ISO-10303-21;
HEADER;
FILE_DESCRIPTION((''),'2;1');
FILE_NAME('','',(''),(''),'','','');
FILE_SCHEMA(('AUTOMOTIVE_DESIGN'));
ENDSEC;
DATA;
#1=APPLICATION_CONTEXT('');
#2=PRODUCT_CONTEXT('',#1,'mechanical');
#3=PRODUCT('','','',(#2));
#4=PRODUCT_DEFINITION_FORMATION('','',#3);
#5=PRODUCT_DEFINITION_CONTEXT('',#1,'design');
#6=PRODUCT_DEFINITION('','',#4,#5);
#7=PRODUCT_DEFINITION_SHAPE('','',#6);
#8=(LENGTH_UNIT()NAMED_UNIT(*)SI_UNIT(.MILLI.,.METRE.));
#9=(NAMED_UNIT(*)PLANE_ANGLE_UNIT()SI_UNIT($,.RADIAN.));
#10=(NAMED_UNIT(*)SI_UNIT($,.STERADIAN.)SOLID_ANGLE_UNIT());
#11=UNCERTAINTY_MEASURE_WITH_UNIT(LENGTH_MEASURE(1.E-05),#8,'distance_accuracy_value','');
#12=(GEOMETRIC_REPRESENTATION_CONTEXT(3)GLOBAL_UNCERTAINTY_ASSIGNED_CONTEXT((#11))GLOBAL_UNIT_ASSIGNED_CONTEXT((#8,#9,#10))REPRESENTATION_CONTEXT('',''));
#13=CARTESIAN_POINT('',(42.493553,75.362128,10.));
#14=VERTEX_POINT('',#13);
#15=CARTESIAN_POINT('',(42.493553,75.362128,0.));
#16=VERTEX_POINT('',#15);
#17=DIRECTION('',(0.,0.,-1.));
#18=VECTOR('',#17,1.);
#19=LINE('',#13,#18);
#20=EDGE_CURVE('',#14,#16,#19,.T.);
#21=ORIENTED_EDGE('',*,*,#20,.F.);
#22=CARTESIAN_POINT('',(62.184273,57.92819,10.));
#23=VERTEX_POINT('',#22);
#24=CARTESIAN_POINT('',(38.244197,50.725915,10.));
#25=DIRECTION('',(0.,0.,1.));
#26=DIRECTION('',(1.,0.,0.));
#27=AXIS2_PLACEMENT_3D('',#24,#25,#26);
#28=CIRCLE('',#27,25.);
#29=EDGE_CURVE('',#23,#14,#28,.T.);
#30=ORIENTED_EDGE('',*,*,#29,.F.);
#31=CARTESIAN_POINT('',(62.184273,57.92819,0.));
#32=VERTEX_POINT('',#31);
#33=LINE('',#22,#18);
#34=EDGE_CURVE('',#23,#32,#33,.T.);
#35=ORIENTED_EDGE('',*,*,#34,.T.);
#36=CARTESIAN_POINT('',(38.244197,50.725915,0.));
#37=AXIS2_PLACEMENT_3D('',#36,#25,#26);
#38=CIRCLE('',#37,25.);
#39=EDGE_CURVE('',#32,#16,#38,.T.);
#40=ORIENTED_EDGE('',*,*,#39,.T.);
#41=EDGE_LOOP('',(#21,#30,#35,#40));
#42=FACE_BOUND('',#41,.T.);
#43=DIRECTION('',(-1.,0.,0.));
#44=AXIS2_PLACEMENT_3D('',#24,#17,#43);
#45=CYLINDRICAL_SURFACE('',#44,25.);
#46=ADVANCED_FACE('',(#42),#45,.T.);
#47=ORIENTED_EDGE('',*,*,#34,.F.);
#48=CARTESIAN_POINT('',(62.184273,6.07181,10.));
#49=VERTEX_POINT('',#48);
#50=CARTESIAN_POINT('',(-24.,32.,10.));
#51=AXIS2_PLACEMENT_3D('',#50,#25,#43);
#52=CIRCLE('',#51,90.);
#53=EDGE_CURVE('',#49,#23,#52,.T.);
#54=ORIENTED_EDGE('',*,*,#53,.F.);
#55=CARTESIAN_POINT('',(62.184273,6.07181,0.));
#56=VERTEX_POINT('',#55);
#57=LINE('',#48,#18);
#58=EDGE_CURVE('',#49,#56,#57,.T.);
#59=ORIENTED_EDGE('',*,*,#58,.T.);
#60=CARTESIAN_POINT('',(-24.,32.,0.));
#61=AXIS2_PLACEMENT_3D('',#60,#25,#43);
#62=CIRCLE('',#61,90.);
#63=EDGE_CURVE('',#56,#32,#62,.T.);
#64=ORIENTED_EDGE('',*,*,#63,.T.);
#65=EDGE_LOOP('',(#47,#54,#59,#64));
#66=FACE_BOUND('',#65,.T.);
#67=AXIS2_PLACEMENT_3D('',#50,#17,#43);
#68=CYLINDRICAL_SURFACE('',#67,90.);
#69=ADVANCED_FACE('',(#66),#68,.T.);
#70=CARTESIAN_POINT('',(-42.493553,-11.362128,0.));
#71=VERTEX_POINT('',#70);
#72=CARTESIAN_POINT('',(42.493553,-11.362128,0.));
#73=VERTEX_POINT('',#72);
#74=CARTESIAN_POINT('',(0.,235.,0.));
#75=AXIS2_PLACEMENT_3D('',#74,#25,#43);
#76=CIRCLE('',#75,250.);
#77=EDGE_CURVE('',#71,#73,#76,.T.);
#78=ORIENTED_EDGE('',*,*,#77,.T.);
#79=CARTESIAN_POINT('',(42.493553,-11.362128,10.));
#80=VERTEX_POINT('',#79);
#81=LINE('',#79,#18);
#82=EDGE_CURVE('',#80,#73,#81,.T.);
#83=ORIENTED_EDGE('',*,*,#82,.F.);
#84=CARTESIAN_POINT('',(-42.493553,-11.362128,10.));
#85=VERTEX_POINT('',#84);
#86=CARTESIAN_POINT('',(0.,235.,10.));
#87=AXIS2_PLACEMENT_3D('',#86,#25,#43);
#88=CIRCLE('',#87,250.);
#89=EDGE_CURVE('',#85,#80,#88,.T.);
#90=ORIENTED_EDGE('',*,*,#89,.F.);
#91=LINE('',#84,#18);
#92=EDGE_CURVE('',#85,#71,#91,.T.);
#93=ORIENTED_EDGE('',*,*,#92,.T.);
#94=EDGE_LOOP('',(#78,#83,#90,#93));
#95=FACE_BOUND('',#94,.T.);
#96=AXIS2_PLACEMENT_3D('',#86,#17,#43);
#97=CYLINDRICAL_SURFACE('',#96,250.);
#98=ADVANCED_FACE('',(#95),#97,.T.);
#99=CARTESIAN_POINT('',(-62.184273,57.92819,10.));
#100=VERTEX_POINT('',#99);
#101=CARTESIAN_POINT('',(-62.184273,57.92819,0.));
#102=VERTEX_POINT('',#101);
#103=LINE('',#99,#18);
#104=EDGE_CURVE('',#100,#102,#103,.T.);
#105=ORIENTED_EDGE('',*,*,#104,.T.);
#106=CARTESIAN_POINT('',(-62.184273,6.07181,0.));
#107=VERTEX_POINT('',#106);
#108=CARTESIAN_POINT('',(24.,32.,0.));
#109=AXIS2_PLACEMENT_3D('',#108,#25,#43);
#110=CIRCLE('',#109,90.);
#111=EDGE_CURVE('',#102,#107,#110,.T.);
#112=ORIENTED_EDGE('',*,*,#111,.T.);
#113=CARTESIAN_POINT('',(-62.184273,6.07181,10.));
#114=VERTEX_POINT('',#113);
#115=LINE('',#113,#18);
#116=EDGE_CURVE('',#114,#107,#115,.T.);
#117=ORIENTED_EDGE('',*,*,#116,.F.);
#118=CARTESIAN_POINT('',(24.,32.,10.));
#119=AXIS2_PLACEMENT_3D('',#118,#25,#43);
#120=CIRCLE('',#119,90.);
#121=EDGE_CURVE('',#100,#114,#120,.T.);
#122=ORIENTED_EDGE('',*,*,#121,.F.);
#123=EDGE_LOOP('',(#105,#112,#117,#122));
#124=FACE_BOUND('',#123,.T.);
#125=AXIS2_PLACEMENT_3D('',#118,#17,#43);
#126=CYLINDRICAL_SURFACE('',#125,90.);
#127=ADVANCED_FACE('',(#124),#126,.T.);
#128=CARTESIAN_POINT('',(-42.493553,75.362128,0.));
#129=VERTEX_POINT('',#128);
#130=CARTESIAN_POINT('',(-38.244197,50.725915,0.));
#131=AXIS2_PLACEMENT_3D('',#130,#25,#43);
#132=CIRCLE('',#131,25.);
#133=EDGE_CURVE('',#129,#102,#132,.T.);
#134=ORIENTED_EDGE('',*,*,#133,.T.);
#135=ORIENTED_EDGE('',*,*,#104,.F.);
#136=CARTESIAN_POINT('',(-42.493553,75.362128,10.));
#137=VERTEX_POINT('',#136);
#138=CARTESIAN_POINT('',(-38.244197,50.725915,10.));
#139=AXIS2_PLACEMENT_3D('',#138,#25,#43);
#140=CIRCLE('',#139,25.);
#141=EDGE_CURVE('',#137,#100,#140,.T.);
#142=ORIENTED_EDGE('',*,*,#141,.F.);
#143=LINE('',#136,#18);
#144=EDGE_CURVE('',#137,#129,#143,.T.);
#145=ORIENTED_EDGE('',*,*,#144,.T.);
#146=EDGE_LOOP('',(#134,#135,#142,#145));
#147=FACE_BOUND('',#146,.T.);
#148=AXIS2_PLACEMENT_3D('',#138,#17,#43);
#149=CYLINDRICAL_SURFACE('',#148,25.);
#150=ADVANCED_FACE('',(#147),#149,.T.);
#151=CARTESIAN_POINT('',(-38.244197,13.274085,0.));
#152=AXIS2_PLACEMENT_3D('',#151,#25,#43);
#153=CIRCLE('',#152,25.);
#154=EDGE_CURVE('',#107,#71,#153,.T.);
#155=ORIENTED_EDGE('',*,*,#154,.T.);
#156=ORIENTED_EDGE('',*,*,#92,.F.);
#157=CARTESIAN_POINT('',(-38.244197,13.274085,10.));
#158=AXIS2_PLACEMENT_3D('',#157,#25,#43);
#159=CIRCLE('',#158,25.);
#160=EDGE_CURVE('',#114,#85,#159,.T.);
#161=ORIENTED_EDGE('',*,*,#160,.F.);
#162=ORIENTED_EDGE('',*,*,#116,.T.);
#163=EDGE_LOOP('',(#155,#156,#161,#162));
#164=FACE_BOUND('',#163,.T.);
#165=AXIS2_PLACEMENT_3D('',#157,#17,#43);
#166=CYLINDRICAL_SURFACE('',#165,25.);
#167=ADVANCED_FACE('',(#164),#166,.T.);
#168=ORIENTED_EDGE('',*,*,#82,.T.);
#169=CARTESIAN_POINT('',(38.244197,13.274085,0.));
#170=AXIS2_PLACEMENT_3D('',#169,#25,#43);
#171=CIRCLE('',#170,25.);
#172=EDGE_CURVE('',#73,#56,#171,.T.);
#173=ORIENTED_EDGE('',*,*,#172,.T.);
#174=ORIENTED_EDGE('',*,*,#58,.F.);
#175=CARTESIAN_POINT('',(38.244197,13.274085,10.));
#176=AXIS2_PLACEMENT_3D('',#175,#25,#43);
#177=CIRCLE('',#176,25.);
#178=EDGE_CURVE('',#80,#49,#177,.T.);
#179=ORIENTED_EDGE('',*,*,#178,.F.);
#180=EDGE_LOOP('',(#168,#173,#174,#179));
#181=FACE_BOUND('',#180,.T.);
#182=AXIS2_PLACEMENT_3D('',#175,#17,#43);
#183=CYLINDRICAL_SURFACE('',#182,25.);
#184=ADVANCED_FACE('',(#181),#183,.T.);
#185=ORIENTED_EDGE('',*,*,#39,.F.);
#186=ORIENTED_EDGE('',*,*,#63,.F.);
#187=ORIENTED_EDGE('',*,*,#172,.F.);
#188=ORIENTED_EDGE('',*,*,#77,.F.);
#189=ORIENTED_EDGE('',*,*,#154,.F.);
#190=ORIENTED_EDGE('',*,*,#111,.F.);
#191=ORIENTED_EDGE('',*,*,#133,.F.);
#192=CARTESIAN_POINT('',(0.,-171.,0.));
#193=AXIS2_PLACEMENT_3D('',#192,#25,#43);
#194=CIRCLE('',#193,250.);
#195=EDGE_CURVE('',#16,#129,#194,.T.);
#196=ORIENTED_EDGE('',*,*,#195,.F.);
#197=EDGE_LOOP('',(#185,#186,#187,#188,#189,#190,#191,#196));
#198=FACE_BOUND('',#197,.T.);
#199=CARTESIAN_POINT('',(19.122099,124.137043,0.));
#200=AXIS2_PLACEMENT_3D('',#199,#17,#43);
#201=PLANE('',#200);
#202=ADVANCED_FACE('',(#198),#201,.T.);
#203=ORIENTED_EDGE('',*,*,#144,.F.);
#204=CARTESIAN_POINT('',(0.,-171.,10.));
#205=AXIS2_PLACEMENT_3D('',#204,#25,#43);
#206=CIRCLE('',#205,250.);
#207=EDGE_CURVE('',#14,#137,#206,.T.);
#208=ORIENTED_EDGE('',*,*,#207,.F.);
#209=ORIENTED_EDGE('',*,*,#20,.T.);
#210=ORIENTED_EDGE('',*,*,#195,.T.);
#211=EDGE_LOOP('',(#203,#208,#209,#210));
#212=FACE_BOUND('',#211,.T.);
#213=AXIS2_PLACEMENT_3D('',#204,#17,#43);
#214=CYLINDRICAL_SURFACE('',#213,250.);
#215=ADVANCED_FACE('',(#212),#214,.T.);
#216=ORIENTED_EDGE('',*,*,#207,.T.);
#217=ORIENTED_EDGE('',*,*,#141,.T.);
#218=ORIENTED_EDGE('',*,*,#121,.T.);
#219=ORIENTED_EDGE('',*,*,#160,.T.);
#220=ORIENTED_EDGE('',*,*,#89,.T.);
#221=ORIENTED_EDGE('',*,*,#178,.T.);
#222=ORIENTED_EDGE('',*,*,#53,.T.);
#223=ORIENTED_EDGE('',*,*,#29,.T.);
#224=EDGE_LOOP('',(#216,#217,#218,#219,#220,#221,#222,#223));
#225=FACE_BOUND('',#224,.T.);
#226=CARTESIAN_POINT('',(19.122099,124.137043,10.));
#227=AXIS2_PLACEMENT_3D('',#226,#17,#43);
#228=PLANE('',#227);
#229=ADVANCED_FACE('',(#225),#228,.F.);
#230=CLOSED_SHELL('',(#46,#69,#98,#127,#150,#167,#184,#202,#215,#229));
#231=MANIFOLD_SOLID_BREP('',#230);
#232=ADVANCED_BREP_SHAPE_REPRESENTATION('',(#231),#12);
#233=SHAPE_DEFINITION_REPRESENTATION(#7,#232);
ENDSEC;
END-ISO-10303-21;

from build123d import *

# Parameters (mm, degrees)
EXTRUDE_1_DEPTH = 10


with BuildPart() as part:
    # 草圖1 → 填料-伸長1 (new body)
    with BuildSketch(Plane.XY):
        with BuildLine():
            ThreePointArc((62.18427331, 57.928189948), (54.816661128, 69.443645745), (42.493552656, 75.362127736))
            ThreePointArc((42.493552656, 75.362127736), (0, 79), (-42.493552656, 75.362127736))
            ThreePointArc((-42.493552656, 75.362127736), (-54.816661128, 69.443645745), (-62.18427331, 57.928189948))
            ThreePointArc((-62.18427331, 57.928189948), (-66, 32), (-62.18427331, 6.071810052))
            ThreePointArc((-62.18427331, 6.071810052), (-54.816661128, -5.443645745), (-42.493552656, -11.362127736))
            ThreePointArc((-42.493552656, -11.362127736), (0, -15), (42.493552656, -11.362127736))
            ThreePointArc((42.493552656, -11.362127736), (54.816661128, -5.443645745), (62.18427331, 6.071810052))
            ThreePointArc((62.18427331, 6.071810052), (66, 32), (62.18427331, 57.928189948))
        make_face()
    extrude(amount=EXTRUDE_1_DEPTH)


solid = part.part
